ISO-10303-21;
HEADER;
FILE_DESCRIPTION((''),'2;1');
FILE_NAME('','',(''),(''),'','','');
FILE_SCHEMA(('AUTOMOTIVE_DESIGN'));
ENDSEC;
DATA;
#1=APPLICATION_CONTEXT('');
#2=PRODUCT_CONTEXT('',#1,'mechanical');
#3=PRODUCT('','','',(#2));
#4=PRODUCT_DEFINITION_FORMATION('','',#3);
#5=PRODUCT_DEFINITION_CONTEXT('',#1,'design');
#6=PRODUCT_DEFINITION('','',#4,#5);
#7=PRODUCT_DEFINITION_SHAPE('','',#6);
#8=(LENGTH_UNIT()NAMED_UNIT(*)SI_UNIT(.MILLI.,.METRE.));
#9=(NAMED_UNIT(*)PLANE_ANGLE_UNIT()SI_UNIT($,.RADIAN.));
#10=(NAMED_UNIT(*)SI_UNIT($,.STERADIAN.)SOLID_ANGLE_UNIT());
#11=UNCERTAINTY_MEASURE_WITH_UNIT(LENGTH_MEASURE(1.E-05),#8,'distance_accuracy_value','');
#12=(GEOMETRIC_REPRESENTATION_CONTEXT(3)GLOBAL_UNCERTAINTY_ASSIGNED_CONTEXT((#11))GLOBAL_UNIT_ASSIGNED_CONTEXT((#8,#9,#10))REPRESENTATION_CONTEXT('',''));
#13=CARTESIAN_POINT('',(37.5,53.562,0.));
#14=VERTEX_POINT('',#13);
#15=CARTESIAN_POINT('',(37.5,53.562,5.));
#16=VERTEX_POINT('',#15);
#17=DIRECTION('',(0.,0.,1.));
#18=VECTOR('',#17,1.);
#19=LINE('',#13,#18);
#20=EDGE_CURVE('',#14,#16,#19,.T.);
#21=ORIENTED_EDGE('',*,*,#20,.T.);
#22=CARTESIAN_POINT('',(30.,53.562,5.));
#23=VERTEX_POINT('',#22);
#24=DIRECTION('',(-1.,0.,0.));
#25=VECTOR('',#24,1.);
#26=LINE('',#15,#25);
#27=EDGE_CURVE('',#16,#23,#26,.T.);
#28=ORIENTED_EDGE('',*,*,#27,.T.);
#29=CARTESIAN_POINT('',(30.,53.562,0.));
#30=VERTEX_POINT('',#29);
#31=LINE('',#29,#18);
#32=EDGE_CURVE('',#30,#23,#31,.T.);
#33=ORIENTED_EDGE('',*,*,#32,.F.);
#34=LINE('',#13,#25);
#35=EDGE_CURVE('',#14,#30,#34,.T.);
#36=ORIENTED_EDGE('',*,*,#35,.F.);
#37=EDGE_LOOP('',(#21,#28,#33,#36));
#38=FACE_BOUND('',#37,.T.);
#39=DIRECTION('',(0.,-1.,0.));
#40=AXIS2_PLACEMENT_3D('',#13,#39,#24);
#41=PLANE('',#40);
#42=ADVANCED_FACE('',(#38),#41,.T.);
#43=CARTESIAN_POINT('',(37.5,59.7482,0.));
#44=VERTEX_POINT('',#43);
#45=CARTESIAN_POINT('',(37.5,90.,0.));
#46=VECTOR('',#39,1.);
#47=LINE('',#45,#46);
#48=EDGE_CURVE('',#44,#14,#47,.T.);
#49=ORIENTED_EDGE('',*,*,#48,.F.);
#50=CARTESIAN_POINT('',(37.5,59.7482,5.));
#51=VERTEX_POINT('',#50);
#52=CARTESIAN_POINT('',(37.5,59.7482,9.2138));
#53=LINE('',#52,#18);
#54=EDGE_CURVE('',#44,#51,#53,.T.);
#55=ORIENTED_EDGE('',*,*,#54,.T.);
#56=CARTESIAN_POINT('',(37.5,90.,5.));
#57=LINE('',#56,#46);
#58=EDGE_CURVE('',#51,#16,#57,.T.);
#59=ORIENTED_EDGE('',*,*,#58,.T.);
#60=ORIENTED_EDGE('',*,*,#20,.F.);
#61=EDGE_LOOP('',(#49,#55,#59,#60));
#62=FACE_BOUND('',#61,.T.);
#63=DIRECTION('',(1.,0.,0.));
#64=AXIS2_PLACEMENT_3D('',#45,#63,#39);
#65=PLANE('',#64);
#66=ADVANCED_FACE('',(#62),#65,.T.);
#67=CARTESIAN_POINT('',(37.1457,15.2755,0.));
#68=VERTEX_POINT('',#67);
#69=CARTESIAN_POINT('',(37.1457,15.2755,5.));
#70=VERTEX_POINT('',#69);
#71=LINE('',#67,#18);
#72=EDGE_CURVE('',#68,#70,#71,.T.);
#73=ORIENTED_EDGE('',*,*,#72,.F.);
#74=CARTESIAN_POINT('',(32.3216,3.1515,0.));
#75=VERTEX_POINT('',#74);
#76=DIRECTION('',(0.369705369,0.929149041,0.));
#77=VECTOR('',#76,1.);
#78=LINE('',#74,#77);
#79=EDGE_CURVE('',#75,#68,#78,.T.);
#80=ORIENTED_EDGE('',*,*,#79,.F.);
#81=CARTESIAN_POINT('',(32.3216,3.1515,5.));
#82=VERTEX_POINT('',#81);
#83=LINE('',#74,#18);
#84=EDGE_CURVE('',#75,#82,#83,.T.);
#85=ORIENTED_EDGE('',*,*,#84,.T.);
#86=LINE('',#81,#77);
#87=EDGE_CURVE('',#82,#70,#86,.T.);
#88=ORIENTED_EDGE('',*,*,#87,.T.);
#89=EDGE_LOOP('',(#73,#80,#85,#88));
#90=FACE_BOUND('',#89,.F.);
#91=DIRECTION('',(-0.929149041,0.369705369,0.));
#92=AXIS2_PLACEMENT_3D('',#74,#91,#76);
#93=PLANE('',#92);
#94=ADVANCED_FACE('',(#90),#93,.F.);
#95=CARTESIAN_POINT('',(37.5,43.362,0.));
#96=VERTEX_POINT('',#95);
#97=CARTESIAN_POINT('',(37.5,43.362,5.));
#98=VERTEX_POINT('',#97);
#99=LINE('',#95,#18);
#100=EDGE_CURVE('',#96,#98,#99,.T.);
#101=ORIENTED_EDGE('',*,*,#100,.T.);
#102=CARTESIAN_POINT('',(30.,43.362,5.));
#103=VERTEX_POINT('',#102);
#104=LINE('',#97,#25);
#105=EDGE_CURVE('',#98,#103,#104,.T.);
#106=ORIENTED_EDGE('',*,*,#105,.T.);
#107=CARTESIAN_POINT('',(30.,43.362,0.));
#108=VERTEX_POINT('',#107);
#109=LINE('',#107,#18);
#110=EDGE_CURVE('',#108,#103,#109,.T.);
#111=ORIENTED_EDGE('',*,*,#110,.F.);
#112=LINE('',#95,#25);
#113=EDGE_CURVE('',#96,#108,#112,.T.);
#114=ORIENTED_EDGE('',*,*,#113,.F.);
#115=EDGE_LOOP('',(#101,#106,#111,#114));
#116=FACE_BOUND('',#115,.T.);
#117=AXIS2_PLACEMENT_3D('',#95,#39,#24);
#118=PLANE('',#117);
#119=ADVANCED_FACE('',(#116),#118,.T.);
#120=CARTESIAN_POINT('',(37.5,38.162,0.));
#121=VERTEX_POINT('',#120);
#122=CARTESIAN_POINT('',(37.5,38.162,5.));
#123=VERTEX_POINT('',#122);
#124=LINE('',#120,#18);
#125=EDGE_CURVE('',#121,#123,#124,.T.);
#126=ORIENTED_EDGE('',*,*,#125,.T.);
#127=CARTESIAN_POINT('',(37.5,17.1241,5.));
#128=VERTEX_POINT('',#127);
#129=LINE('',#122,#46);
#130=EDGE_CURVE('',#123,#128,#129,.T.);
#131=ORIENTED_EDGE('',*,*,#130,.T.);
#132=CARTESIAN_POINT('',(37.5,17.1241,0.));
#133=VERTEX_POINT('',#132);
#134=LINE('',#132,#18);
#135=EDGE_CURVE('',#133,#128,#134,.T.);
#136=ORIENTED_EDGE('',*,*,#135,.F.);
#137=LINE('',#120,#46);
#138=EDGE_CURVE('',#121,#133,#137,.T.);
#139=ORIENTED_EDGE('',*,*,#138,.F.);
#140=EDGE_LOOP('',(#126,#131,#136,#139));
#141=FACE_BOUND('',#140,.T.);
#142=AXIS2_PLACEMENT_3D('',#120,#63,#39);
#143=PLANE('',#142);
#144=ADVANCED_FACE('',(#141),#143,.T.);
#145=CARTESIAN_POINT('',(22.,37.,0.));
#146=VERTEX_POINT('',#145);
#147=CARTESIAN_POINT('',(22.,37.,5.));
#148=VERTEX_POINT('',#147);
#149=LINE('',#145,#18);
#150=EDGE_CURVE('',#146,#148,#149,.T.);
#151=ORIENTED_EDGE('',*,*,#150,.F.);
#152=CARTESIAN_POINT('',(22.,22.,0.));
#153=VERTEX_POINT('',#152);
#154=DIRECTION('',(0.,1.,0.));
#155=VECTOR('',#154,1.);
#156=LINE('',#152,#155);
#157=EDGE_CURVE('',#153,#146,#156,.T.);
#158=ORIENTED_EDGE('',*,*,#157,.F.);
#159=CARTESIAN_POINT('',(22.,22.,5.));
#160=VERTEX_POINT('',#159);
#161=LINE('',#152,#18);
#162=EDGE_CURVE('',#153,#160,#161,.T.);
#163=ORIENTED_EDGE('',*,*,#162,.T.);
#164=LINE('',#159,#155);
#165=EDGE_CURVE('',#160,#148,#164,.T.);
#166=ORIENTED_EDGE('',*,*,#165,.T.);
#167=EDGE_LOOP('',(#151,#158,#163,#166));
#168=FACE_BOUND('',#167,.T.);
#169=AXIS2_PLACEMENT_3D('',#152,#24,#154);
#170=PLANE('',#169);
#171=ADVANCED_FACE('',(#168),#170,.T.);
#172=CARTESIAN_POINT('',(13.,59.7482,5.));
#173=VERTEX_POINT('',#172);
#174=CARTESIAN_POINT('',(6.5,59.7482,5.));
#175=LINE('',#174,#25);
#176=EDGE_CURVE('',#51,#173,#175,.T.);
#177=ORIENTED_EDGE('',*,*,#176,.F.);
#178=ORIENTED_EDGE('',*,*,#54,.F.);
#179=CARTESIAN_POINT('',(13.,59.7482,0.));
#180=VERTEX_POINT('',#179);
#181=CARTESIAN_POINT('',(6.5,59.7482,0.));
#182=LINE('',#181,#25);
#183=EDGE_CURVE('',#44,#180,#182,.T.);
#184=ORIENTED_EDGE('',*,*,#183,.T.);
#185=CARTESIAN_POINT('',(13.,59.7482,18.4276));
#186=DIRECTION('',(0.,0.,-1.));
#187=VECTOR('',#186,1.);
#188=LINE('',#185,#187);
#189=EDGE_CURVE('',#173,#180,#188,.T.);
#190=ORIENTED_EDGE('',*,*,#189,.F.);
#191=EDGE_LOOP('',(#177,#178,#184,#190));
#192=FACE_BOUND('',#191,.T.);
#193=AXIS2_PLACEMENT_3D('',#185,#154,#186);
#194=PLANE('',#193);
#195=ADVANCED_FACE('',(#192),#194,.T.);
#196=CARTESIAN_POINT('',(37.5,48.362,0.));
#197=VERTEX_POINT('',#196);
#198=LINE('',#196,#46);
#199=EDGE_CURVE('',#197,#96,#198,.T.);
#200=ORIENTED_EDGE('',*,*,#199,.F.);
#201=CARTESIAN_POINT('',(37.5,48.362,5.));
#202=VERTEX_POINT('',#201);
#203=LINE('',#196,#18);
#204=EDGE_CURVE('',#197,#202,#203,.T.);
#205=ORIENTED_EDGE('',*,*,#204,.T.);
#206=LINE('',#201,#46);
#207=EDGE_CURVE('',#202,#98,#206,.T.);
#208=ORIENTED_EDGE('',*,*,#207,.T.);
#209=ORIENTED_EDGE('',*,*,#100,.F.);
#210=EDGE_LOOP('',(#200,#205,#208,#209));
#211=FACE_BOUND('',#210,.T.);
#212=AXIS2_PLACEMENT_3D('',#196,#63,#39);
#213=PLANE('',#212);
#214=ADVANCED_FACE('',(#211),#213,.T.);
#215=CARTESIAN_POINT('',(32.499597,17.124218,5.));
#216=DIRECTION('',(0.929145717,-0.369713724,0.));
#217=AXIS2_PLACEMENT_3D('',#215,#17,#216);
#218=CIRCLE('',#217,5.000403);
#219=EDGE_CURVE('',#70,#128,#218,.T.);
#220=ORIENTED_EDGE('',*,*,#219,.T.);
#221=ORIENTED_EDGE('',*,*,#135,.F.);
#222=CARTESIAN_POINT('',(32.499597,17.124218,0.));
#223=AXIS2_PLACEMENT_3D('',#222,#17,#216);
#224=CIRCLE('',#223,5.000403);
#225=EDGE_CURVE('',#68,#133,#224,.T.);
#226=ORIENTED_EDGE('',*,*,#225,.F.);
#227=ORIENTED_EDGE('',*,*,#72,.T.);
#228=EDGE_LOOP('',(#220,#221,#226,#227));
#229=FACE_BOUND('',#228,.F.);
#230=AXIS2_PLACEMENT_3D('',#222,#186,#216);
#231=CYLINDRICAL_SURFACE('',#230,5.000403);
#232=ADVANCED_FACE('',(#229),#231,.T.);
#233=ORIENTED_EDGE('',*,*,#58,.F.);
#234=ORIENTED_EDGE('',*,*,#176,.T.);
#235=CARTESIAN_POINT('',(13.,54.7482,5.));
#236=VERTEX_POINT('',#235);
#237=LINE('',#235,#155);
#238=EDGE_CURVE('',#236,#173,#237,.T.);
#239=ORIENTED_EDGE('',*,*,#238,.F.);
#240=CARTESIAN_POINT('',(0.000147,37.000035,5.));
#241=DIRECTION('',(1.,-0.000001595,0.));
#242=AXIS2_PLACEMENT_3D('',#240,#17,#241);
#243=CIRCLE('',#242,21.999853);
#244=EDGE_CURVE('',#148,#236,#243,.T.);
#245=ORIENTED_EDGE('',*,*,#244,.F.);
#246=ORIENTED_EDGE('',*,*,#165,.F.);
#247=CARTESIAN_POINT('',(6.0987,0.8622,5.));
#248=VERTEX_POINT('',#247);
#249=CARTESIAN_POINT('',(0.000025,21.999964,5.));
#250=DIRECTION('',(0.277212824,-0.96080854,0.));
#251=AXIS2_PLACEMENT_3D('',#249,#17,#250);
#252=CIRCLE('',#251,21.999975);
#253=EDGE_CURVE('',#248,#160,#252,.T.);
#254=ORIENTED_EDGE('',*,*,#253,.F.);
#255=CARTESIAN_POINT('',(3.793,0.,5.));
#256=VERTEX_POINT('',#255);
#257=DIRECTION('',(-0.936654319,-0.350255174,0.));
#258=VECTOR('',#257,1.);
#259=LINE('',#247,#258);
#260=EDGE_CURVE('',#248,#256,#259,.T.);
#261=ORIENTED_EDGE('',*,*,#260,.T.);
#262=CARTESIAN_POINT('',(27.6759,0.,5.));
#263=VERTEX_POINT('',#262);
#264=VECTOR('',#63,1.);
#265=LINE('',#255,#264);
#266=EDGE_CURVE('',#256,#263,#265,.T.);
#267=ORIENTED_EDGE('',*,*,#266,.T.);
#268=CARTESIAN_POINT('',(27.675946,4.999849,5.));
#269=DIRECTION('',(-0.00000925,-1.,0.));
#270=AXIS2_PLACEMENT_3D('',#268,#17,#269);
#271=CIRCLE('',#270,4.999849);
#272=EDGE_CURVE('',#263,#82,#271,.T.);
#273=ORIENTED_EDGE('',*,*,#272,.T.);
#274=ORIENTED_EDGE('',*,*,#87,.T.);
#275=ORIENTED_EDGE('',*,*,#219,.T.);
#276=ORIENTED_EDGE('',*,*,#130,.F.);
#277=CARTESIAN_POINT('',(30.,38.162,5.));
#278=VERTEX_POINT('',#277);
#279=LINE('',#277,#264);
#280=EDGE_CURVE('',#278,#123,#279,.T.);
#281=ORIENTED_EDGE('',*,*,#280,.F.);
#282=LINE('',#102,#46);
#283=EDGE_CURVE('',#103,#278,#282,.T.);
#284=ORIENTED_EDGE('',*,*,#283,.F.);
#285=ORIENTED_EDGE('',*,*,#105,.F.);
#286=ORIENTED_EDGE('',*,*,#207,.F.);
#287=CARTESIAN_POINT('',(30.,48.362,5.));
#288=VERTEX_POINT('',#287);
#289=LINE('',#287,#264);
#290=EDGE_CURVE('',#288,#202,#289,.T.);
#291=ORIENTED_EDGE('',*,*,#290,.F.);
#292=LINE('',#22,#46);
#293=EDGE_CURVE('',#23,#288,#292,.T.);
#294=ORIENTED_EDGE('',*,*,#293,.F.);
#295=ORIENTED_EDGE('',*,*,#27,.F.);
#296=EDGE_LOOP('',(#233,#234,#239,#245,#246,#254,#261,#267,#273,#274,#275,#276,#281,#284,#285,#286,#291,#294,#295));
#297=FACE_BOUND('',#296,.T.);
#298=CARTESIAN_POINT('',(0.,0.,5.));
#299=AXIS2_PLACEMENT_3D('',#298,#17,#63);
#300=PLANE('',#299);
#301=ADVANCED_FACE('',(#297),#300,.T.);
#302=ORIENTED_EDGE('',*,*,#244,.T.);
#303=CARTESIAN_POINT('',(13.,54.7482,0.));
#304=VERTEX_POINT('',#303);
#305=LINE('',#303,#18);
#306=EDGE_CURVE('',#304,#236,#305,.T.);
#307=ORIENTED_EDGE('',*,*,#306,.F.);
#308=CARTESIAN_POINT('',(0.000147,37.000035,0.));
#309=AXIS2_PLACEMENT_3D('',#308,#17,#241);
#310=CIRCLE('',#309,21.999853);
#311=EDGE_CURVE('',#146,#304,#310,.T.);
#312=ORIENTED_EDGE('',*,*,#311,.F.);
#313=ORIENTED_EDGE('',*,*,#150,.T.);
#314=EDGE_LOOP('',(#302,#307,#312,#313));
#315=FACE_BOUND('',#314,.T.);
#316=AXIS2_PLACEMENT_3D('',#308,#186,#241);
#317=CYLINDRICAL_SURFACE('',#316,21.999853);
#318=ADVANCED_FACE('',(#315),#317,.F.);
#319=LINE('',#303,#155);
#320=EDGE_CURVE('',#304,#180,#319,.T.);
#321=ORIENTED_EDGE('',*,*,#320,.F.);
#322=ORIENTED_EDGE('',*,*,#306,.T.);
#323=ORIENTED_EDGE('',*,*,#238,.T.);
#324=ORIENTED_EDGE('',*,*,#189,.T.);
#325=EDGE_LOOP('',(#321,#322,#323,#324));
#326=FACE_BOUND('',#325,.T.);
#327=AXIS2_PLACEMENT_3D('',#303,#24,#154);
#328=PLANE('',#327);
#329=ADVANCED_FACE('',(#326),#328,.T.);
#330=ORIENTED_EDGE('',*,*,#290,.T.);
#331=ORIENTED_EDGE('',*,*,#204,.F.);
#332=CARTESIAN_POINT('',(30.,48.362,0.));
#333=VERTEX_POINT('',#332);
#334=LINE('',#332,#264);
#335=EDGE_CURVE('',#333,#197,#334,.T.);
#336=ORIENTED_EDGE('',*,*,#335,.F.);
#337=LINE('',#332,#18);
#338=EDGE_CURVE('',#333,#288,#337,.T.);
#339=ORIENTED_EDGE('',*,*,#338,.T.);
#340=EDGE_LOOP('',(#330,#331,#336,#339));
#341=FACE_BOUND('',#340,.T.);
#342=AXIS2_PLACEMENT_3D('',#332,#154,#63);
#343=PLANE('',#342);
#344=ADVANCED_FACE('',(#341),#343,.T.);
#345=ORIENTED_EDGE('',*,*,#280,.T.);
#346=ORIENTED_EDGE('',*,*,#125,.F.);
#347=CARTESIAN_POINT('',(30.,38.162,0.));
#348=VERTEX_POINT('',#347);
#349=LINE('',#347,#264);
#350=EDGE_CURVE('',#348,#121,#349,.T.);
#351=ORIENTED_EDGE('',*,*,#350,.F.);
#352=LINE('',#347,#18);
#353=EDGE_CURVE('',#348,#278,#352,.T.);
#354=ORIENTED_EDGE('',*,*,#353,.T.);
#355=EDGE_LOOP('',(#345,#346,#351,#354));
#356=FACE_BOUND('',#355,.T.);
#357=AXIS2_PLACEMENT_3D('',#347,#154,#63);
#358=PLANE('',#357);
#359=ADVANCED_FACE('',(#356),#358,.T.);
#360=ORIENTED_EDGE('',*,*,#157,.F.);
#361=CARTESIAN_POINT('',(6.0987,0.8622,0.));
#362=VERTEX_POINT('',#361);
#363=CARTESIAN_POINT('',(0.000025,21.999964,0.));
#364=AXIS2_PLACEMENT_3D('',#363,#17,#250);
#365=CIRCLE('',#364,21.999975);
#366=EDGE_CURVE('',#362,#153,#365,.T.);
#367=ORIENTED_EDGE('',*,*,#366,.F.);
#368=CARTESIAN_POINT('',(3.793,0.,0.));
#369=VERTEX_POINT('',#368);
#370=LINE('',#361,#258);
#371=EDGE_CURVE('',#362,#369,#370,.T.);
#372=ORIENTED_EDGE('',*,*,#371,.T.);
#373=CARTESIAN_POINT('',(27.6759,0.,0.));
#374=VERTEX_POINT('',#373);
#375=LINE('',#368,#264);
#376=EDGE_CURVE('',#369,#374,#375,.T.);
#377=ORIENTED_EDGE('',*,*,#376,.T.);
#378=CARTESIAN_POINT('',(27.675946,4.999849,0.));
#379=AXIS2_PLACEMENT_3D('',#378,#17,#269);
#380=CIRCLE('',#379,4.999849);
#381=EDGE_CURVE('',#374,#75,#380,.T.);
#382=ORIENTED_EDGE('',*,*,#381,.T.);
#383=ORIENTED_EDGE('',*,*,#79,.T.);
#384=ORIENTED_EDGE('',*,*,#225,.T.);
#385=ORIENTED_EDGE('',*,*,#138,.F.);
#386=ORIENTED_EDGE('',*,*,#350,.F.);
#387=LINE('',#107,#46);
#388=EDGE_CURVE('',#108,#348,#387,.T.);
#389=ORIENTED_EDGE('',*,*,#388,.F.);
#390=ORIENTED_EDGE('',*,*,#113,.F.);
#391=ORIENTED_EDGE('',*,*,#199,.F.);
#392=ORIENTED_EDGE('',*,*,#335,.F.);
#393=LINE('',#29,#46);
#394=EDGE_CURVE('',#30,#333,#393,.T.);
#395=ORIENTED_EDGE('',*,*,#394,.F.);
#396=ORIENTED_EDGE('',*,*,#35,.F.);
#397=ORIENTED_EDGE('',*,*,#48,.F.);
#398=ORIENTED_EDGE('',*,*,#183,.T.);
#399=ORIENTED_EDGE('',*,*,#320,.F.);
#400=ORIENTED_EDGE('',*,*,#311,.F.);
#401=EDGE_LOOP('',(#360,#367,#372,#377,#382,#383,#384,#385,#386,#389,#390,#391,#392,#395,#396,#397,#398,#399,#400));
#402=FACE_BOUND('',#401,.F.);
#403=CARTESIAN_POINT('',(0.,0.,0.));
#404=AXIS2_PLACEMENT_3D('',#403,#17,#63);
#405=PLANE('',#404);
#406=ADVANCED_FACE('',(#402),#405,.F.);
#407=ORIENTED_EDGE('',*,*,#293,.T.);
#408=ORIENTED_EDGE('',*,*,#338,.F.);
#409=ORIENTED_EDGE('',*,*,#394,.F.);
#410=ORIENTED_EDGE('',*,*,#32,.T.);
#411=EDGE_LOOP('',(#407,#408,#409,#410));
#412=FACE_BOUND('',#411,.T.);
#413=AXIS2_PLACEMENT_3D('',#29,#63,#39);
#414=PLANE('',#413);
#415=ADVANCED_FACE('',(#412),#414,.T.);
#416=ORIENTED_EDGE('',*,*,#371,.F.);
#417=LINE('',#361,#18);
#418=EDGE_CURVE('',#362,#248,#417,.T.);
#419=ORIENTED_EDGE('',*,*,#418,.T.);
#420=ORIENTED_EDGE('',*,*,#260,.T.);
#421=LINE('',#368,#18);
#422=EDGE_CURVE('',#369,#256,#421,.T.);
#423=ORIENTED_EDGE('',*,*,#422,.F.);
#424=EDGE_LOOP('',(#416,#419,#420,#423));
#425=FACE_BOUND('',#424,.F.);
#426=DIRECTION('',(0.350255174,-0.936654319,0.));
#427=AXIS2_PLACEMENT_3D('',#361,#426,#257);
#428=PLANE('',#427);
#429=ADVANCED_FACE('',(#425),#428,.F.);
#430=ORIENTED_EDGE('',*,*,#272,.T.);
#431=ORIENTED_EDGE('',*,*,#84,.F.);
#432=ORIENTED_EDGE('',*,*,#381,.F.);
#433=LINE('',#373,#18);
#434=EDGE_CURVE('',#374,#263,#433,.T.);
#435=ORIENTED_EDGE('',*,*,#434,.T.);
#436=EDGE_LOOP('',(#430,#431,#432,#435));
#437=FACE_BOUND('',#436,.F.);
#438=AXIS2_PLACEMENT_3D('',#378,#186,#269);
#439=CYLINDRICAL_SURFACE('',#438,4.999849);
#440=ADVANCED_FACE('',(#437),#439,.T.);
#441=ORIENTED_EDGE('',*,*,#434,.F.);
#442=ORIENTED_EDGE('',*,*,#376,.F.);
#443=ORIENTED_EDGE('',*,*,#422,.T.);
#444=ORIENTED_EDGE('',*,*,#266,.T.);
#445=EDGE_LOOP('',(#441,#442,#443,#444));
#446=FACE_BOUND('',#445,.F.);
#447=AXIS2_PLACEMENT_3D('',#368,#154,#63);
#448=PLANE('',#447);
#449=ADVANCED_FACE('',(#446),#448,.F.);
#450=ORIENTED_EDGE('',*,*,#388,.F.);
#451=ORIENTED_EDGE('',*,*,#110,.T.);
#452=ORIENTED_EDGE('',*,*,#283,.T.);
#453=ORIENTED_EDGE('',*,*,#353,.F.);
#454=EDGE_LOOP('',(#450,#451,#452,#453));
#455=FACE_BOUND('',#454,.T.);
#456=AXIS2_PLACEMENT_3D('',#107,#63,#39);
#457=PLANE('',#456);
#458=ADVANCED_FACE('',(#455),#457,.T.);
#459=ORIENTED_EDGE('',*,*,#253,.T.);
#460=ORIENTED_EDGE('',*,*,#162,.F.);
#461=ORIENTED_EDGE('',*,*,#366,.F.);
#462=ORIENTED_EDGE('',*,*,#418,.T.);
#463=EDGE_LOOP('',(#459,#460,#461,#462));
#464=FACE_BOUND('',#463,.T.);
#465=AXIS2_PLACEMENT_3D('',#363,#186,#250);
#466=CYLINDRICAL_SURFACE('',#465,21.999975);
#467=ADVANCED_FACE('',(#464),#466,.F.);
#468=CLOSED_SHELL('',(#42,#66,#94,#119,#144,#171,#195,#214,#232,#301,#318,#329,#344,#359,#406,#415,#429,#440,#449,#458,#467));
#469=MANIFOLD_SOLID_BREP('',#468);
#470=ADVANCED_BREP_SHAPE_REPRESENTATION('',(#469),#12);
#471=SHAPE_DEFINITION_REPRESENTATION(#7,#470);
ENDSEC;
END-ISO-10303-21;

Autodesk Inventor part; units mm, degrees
ref_plane "YZ Plane" through (0, 0, 0) normal (1, 0, 0) x (0, 1, 0)
ref_plane "XZ Plane" through (0, 0, 0) normal (0, 1, 0) x (-1, 0, 0)
ref_plane "XY Plane" through (0, 0, 0) normal (0, 0, 1) x (1, 0, 0)
sketch "Sketch1" plane through (0, 0, 0) normal (0, 0, 1) x (1, 0, 0)
  arc A0 (6.0987, 0.8622) -> (22, 22) centre (0, 22) ccw
  line L0 (22, 22) -> (22, 37)
  arc A1 (22, 37) -> (13, 54.7482) centre (0, 37) ccw
  line L1 (13, 54.7482) -> (13, 66.7482)
  line L2 (22.5, 90) -> (22.5, 66.7482)
  line L3 (22.5, 90) -> (37.5, 90)
  line L4 (13, 66.7482) -> (22.5, 66.7482)
  line L5 (32.3216, 3.1515) -> (37.1457, 15.2755)
  arc A2 (37.1457, 15.2755) -> (37.5, 17.1241) centre (32.5, 17.1241) ccw
  arc A3 (27.6759, 0) -> (32.3216, 3.1515) centre (27.6759, 5) ccw
  line L6 (37.5, 53.562) -> (30, 53.562)
  line L7 (30, 53.562) -> (30, 48.362)
  line L8 (30, 48.362) -> (37.5, 48.362)
  line L9 (37.5, 43.362) -> (30, 43.362)
  line L10 (30, 43.362) -> (30, 38.162)
  line L11 (30, 38.162) -> (37.5, 38.162)
  line L12 (37.5, 90) -> (37.5, 53.562)
  line L13 (37.5, 48.362) -> (37.5, 43.362)
  line L14 (37.5, 38.162) -> (37.5, 17.1241)
  line L15 (6.0987, 0.8622) -> (3.793, 0)
  line L16 (3.793, 0) -> (27.6759, 0)
  point P0 (0, 0)
  dimension "d0" = 22
  dimension "d1" = 90
  dimension "d2" = 0
  dimension "d3" = 15
  dimension "d4" = 0
  dimension "d5" = 13
  dimension "d6" = 22
  dimension "d7" = 12
  dimension "d8" = 22.5
  dimension "d10" = 90
  dimension "d11" = 37
  dimension "d12" = 5
  dimension "d13" = 12.1241
  dimension "d14" = 5.2
  dimension "d15" = 5.2
  dimension "d16" = 5
sketch "Sketch2" plane through (0, 0, 0) normal (0, 0, 1) x (1, 0, 0)
  point P0 (0, 0)
extrude "Extrusion1" add sketch "Sketch1" along normal blind 5
sketch "Sketch3" plane through (0, 0, 5) normal (0, 0, 1) x (1, 0, 0)
  line L0 (22.5, 90) -> (22.5, 66.7482) projected
  line L1 (37.5, 90) -> (22.5, 90) projected
  point P0 (0, 0)
  point P1 (30, 86.5)
  point P2 (30, 63.5)
  dimension "d20" = 23
  dimension "d21" = 7.5
  dimension "d22" = 7.5
  dimension "d23" = 3.5
hole "Hole1" at (30, 86.5, 5) at (30, 63.5, 5) direction (0, 0, -1) diameter 3.4 end through all
sketch "Sketch4" plane through (22.5, 66.7482, 0) normal (-1, 0, 0) x (0, 0, 1)
  point P0 (0, -66.7482)
sketch "Sketch5" plane through (13, 54.7482, 0) normal (-1, 0, 0) x (0, 0, 1)
  line L0 (-13.1984, 36.8887) -> (18.4276, 36.8887)
  line L1 (18.4276, 36.8887) -> (18.4276, 5)
  line L2 (18.4276, 5) -> (-13.1984, 5)
  line L3 (-13.1984, 5) -> (-13.1984, 36.8887)
  line L4 (0, 12) -> (5, 12) projected
  point P0 (0, -54.7482)
  dimension "d31" = 7
extrude "Extrusion2" cut sketch "Sketch5" against normal blind 40
properties part number "CenterFinger"
